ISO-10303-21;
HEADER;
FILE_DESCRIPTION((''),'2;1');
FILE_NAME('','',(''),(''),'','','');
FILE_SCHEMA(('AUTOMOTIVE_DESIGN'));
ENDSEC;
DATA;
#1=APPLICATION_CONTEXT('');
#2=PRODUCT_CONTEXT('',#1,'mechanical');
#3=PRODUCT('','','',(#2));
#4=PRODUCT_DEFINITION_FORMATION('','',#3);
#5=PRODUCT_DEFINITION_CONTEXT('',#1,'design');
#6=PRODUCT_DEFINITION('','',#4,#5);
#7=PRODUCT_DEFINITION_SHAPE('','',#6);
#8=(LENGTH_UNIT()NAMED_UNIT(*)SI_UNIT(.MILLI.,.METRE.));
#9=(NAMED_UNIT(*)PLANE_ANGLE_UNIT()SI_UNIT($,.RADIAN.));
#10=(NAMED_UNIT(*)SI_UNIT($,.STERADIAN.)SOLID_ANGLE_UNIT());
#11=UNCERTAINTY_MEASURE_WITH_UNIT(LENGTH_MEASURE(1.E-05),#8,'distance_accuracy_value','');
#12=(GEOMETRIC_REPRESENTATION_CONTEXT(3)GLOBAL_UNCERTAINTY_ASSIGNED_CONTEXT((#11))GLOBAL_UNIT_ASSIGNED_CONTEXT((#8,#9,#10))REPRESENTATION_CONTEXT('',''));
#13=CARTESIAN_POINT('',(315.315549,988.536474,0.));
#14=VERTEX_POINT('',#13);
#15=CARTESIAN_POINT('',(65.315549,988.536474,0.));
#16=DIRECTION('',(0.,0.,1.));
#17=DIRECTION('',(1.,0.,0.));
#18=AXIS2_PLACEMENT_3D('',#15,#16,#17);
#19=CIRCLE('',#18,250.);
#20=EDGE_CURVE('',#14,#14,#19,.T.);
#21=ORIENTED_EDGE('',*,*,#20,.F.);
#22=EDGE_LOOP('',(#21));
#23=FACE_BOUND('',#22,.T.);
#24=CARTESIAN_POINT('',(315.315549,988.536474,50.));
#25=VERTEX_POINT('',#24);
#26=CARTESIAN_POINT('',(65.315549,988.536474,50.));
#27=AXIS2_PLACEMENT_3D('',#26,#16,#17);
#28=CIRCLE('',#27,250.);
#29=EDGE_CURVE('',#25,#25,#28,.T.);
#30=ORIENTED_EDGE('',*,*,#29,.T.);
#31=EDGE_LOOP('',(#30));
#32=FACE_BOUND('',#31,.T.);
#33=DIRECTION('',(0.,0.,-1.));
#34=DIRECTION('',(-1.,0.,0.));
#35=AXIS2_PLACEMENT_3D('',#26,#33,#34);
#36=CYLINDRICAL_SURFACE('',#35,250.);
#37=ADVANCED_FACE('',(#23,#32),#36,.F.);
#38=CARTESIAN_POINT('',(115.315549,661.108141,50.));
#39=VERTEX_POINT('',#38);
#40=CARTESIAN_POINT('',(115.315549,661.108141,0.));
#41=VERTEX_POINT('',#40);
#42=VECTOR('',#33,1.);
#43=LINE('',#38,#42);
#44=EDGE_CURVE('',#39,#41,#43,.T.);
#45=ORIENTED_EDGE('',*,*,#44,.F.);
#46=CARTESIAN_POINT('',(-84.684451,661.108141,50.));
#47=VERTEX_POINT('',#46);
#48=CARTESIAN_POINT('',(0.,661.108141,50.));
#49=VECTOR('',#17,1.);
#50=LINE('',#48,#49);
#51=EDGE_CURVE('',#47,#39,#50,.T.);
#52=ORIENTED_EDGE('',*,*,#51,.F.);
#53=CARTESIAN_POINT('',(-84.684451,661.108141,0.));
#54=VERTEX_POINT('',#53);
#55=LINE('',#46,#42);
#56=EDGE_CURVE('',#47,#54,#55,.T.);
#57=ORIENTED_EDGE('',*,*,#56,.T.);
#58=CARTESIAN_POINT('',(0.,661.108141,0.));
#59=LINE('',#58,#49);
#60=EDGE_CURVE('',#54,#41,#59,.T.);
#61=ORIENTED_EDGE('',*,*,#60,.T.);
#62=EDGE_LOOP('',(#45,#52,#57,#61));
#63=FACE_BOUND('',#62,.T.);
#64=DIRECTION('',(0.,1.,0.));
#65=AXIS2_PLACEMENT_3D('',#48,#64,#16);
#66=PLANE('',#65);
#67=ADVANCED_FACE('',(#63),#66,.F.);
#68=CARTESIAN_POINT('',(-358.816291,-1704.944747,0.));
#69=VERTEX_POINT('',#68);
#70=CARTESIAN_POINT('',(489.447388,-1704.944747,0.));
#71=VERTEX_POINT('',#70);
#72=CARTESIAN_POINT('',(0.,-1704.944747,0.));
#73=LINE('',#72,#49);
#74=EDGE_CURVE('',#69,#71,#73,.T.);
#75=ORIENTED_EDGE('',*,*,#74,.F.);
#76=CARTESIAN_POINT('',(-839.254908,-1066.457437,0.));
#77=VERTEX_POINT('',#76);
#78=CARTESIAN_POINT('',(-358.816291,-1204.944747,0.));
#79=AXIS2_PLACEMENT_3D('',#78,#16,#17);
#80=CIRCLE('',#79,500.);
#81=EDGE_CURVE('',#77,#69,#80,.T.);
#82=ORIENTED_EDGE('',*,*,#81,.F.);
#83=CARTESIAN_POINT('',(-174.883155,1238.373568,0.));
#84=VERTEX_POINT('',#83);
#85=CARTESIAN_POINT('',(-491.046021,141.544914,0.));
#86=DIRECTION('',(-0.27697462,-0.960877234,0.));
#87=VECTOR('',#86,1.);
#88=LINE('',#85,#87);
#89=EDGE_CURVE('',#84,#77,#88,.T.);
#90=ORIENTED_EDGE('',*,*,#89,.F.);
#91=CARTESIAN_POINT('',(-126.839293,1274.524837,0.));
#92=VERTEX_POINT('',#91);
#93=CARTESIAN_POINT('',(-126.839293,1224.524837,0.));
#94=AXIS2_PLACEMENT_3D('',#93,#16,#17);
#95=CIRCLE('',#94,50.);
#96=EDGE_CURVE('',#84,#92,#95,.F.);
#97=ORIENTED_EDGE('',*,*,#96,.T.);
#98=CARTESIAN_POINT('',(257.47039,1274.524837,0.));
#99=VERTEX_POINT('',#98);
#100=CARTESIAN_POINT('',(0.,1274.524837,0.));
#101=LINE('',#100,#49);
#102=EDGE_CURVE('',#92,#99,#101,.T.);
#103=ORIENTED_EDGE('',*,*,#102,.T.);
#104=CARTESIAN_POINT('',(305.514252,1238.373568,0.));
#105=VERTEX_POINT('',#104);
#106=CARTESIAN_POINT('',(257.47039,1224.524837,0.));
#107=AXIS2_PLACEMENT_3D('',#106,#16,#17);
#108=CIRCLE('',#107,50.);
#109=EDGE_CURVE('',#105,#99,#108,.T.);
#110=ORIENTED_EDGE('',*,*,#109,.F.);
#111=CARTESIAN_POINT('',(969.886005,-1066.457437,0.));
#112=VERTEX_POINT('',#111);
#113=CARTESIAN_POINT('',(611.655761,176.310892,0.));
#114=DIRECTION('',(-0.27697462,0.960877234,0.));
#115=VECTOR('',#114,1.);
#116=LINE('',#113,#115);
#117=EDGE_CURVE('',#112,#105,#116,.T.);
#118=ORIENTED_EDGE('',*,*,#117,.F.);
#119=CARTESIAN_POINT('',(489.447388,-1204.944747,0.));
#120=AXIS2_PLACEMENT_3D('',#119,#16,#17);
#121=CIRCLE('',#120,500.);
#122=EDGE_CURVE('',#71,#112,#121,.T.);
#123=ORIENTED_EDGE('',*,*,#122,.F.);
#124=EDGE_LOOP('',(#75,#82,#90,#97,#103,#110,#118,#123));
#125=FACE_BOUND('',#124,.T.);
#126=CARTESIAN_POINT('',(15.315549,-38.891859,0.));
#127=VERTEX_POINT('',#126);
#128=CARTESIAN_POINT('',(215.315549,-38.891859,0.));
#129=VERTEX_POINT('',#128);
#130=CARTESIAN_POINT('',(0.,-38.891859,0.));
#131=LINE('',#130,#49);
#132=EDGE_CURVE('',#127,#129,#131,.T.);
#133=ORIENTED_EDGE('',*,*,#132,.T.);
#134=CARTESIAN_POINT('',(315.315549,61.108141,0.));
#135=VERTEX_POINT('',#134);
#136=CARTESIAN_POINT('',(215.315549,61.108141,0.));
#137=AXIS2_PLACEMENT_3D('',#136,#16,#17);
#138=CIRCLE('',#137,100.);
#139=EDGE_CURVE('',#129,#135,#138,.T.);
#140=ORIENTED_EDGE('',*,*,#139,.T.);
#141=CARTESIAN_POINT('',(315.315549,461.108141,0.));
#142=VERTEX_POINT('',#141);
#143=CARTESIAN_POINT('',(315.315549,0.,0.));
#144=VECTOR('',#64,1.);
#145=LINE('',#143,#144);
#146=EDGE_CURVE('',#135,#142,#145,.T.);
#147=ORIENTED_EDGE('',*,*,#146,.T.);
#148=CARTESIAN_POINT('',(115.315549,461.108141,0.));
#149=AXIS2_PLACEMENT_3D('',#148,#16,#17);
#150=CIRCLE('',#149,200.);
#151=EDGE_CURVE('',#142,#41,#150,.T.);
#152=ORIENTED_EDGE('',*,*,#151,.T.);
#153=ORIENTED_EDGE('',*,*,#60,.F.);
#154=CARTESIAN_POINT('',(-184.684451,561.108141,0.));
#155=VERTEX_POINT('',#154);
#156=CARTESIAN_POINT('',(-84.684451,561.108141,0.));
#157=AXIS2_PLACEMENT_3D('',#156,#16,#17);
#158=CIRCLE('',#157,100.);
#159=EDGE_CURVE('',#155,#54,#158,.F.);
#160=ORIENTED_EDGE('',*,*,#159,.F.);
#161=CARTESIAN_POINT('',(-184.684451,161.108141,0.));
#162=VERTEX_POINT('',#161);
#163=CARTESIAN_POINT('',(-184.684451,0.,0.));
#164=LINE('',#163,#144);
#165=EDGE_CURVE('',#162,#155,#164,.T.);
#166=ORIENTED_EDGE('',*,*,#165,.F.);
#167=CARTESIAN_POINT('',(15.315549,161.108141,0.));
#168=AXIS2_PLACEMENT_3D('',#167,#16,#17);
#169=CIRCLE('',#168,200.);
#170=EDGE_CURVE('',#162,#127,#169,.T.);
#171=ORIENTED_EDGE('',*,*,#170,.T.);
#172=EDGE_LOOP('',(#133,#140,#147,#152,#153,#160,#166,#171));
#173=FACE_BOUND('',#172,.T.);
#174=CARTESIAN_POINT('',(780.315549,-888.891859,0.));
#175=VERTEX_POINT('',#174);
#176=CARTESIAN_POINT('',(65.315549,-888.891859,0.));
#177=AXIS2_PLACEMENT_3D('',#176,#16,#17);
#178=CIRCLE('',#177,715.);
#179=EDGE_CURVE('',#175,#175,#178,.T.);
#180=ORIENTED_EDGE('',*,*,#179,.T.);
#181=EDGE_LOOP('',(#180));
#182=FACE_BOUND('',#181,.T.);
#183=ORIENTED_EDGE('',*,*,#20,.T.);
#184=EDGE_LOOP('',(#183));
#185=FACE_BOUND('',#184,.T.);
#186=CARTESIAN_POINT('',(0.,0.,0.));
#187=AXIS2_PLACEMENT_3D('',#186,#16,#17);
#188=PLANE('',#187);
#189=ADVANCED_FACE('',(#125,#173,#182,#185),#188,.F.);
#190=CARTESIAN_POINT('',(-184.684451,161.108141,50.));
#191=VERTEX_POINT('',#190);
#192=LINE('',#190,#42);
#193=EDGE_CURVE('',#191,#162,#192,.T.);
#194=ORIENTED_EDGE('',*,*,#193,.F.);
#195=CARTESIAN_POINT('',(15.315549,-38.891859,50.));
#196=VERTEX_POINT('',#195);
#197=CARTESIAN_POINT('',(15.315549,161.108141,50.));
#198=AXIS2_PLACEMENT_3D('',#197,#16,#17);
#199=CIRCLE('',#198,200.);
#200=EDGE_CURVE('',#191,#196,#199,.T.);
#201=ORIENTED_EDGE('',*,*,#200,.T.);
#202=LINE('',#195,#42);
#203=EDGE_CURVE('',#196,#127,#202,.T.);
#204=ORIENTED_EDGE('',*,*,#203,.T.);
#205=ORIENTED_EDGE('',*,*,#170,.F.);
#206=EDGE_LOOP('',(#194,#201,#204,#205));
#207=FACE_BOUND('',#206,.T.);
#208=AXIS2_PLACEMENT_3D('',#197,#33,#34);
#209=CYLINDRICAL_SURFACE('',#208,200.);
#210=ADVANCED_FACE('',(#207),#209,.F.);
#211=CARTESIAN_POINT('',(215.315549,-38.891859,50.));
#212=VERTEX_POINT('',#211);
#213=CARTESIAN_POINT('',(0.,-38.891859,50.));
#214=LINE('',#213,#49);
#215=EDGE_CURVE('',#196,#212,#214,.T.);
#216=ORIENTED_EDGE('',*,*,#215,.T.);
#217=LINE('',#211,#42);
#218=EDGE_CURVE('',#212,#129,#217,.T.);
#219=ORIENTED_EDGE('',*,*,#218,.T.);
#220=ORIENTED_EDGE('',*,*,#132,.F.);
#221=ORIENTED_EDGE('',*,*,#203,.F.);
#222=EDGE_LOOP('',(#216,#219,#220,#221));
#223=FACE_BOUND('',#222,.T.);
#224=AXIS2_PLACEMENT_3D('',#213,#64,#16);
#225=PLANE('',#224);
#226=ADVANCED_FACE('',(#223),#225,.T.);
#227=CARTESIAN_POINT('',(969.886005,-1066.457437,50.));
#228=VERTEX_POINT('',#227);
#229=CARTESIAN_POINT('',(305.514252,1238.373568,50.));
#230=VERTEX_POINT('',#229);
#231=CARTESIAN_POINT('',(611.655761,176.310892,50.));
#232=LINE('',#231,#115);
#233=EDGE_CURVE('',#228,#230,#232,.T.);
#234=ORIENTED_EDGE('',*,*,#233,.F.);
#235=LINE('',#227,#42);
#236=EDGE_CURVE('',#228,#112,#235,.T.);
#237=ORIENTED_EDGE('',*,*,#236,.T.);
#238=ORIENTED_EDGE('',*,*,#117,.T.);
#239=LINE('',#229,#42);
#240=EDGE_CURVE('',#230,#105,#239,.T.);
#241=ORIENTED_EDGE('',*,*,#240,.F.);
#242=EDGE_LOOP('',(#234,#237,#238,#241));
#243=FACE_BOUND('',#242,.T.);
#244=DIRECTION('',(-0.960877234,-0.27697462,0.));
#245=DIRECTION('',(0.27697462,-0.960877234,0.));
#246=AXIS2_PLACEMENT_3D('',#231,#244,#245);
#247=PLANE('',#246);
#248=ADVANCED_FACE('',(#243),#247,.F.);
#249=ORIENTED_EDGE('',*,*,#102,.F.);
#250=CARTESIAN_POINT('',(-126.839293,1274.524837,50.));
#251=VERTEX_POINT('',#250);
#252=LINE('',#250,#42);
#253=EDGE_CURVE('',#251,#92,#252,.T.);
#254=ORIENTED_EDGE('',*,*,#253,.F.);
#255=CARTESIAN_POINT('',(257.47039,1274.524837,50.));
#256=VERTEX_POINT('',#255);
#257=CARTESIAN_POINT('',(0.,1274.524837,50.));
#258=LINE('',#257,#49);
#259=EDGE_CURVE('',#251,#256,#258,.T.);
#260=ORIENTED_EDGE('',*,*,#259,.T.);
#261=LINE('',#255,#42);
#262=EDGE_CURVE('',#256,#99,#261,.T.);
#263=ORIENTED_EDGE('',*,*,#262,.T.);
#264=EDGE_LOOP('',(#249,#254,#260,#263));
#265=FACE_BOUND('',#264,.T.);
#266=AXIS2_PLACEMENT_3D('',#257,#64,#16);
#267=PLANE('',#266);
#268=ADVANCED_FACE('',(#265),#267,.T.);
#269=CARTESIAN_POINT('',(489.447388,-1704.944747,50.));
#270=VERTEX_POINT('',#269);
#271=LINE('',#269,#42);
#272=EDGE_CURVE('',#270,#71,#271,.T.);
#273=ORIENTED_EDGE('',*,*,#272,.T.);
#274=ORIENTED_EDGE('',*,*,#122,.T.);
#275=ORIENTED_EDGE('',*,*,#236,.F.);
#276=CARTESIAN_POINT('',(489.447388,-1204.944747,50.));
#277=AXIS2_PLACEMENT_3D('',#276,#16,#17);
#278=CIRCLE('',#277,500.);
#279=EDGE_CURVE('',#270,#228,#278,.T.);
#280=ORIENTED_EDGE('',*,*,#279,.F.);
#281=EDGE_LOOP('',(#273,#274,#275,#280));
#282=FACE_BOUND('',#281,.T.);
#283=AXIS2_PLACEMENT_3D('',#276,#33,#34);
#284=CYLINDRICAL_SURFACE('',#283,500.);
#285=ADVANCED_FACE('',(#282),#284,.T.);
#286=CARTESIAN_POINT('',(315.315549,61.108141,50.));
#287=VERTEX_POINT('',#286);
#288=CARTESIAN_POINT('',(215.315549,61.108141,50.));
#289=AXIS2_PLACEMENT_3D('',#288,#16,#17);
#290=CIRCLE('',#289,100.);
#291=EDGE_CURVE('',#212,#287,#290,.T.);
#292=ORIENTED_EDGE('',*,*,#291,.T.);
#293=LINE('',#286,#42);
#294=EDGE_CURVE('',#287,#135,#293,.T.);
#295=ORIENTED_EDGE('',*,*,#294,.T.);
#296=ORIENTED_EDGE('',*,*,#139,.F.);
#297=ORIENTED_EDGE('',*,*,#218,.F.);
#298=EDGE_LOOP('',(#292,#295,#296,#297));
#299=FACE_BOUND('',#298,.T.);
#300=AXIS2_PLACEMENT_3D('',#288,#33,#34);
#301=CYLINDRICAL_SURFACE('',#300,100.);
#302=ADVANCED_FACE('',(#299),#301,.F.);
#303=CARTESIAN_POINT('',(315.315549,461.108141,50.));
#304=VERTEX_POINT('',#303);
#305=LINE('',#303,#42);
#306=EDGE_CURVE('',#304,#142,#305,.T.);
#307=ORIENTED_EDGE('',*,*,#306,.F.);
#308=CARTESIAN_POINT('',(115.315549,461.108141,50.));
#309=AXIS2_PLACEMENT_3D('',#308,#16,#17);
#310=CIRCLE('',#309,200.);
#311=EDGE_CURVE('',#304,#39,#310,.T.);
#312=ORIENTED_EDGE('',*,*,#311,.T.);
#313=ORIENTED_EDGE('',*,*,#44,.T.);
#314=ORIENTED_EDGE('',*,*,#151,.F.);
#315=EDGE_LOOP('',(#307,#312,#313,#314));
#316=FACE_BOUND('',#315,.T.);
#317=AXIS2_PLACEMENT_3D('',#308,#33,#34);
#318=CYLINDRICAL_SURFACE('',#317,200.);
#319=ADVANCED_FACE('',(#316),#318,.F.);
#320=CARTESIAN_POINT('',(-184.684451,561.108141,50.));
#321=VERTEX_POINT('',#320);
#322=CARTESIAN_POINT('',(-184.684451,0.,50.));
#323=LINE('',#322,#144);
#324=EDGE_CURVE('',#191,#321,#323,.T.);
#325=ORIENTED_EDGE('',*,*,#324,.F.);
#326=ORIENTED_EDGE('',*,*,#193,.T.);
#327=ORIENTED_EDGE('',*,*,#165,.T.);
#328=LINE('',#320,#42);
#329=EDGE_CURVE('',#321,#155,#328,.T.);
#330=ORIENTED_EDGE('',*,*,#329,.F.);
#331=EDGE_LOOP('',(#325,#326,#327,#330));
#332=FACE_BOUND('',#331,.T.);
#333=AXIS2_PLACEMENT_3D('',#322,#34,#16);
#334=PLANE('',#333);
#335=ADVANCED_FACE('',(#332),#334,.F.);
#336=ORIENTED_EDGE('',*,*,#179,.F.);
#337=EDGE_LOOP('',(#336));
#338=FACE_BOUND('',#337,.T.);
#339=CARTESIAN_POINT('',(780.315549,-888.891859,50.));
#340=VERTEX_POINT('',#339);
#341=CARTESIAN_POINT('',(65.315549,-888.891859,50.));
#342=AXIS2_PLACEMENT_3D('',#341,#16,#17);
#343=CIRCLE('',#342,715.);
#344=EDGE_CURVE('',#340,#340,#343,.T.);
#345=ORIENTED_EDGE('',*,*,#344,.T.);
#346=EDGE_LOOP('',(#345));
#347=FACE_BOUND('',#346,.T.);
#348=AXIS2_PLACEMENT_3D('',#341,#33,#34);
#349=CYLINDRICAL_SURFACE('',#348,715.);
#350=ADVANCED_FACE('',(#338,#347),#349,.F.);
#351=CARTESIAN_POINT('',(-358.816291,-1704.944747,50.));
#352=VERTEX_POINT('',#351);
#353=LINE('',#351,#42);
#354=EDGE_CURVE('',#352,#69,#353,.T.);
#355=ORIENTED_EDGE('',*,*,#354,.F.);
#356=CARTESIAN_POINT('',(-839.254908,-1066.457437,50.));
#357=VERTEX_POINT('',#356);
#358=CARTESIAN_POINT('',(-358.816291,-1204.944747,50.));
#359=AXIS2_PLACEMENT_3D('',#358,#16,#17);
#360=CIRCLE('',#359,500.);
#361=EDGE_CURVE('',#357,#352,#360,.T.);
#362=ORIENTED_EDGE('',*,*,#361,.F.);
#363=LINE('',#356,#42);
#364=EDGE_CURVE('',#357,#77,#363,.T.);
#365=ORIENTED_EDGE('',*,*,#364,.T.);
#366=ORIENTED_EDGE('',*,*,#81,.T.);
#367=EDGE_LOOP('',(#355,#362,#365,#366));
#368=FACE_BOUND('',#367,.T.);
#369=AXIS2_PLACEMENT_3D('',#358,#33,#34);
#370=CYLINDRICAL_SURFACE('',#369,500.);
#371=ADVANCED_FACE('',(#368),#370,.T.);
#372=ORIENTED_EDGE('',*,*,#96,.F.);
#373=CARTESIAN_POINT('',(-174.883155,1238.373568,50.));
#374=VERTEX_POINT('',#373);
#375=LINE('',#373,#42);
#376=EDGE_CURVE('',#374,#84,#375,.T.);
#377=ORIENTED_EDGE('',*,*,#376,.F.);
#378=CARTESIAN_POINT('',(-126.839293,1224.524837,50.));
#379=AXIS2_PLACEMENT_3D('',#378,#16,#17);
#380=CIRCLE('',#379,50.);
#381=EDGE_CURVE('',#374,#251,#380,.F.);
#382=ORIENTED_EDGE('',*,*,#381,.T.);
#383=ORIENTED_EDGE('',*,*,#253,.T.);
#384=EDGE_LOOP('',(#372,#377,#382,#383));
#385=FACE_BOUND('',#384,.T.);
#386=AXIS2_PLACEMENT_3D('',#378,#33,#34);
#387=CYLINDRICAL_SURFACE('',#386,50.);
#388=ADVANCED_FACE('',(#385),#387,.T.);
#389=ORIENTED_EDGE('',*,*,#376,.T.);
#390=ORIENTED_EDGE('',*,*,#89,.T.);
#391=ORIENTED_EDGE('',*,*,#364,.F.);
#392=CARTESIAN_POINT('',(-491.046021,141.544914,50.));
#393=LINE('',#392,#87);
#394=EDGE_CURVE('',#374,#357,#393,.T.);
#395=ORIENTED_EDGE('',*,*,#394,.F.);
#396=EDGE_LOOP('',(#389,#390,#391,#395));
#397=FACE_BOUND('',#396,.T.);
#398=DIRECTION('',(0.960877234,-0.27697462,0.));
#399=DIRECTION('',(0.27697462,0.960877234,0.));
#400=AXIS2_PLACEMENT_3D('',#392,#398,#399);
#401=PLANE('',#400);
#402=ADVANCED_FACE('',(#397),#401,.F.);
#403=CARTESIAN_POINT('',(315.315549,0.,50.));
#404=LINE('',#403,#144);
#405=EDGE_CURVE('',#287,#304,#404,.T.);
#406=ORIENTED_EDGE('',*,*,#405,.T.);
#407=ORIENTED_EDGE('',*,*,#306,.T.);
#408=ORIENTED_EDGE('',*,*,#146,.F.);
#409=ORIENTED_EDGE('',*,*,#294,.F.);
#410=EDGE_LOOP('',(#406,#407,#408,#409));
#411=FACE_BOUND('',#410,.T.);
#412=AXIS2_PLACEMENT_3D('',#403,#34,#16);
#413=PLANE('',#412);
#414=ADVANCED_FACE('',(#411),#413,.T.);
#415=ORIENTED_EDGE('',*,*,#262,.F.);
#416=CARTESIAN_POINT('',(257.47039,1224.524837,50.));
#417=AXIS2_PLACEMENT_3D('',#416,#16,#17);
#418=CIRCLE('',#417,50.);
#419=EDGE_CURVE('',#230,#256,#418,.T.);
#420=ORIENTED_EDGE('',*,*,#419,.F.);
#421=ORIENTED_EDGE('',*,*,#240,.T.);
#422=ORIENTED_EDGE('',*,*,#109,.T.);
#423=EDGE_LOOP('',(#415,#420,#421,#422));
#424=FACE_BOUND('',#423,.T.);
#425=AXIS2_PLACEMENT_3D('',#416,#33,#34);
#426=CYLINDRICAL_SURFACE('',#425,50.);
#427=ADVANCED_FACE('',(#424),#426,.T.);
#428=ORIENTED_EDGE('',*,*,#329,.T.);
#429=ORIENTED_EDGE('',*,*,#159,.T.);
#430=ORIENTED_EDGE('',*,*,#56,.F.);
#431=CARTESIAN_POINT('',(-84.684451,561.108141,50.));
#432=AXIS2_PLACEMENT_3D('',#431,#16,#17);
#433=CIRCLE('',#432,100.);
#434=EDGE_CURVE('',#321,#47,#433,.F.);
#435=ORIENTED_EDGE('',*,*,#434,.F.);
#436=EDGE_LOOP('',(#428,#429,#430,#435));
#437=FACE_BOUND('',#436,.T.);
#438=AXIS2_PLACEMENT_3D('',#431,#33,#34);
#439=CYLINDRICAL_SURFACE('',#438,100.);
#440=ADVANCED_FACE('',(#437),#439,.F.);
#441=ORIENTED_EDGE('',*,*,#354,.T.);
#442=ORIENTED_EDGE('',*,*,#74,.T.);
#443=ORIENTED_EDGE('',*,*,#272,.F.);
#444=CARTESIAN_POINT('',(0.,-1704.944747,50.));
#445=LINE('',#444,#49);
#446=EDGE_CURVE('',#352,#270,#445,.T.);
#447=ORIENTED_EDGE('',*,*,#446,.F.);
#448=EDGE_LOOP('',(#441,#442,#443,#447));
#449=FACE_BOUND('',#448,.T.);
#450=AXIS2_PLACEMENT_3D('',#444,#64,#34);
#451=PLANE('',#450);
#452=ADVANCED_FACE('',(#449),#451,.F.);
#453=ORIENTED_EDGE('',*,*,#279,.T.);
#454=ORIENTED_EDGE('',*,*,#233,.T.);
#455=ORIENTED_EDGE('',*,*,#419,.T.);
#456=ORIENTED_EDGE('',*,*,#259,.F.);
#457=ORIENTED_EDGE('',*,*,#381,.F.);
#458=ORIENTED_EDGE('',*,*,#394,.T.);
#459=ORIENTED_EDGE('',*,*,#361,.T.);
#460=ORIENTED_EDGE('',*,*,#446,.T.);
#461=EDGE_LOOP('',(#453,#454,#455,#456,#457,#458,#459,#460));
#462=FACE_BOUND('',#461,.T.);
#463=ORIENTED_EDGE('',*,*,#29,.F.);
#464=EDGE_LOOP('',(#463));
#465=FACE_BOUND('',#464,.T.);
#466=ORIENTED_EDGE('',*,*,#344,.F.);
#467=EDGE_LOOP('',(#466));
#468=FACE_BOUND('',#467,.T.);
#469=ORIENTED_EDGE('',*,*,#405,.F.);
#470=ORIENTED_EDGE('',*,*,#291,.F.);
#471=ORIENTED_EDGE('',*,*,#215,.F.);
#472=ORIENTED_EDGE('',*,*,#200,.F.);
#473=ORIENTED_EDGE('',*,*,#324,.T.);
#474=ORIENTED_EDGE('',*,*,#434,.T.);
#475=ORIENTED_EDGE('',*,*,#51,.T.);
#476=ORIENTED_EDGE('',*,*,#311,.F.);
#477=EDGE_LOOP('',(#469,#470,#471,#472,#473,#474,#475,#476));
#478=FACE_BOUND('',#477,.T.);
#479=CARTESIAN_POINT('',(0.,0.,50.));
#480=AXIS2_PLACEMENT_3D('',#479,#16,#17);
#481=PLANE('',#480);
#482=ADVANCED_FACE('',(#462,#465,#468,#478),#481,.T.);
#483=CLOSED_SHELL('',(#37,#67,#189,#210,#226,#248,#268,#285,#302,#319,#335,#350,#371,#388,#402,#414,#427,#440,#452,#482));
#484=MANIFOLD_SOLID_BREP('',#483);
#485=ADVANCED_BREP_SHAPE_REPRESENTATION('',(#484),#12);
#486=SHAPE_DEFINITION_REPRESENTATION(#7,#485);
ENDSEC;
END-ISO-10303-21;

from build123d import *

# Parameters (mm, degrees)
SKETCH3_R           = 250
SKETCH3_R_2         = 715
BOSS_EXTRUDE1_DEPTH = 50


with BuildPart() as part:
    # Sketch3 → Boss-Extrude1 (new body)
    with BuildSketch(Plane.XY):
        with BuildLine():
            Line((969.886005152, -1066.457437193), (305.514251949, 1238.373568318))
            ThreePointArc((305.514251949, 1238.373568318), (287.533352897, 1264.477537776), (257.470390227, 1274.524837297))
            Line((257.470390227, 1274.524837297), (-126.839292875, 1274.524837297))
            ThreePointArc((-126.839292875, 1274.524837297), (-156.902255545, 1264.477537776), (-174.883154597, 1238.373568318))
            Line((-174.883154597, 1238.373568318), (-839.2549078, -1066.457437193))
            ThreePointArc((-839.2549078, -1066.457437193), (-758.343295367, -1505.574374096), (-358.816290584, -1704.944747397))
            Line((-358.816290584, -1704.944747397), (489.447387936, -1704.944747397))
            ThreePointArc((489.447387936, -1704.944747397), (888.974392718, -1505.574374096), (969.886005152, -1066.457437193))
        make_face()
        with Locations((65.315548676, 988.536474279)):
            Circle(SKETCH3_R, mode=Mode.SUBTRACT)
        with Locations((65.315548676, -888.891859179)):
            Circle(SKETCH3_R_2, mode=Mode.SUBTRACT)
        with BuildLine():
            Line((15.315548676, -38.891859179), (215.315548676, -38.891859179))
            ThreePointArc((215.315548676, -38.891859179), (286.026226794, -9.602537297), (315.315548676, 61.108140821))
            Line((315.315548676, 61.108140821), (315.315548676, 461.108140821))
            ThreePointArc((315.315548676, 461.108140821), (256.736904913, 602.529497059), (115.315548676, 661.108140821))
            Line((115.315548676, 661.108140821), (-84.684451324, 661.108140821))
            ThreePointArc((-84.684451324, 661.108140821), (-155.395129443, 631.81881894), (-184.684451324, 561.108140821))
            Line((-184.684451324, 561.108140821), (-184.684451324, 161.108140821))
            ThreePointArc((-184.684451324, 161.108140821), (-126.105807561, 19.686784584), (15.315548676, -38.891859179))
        make_face(mode=Mode.SUBTRACT)
    extrude(amount=BOSS_EXTRUDE1_DEPTH)


solid = part.part
